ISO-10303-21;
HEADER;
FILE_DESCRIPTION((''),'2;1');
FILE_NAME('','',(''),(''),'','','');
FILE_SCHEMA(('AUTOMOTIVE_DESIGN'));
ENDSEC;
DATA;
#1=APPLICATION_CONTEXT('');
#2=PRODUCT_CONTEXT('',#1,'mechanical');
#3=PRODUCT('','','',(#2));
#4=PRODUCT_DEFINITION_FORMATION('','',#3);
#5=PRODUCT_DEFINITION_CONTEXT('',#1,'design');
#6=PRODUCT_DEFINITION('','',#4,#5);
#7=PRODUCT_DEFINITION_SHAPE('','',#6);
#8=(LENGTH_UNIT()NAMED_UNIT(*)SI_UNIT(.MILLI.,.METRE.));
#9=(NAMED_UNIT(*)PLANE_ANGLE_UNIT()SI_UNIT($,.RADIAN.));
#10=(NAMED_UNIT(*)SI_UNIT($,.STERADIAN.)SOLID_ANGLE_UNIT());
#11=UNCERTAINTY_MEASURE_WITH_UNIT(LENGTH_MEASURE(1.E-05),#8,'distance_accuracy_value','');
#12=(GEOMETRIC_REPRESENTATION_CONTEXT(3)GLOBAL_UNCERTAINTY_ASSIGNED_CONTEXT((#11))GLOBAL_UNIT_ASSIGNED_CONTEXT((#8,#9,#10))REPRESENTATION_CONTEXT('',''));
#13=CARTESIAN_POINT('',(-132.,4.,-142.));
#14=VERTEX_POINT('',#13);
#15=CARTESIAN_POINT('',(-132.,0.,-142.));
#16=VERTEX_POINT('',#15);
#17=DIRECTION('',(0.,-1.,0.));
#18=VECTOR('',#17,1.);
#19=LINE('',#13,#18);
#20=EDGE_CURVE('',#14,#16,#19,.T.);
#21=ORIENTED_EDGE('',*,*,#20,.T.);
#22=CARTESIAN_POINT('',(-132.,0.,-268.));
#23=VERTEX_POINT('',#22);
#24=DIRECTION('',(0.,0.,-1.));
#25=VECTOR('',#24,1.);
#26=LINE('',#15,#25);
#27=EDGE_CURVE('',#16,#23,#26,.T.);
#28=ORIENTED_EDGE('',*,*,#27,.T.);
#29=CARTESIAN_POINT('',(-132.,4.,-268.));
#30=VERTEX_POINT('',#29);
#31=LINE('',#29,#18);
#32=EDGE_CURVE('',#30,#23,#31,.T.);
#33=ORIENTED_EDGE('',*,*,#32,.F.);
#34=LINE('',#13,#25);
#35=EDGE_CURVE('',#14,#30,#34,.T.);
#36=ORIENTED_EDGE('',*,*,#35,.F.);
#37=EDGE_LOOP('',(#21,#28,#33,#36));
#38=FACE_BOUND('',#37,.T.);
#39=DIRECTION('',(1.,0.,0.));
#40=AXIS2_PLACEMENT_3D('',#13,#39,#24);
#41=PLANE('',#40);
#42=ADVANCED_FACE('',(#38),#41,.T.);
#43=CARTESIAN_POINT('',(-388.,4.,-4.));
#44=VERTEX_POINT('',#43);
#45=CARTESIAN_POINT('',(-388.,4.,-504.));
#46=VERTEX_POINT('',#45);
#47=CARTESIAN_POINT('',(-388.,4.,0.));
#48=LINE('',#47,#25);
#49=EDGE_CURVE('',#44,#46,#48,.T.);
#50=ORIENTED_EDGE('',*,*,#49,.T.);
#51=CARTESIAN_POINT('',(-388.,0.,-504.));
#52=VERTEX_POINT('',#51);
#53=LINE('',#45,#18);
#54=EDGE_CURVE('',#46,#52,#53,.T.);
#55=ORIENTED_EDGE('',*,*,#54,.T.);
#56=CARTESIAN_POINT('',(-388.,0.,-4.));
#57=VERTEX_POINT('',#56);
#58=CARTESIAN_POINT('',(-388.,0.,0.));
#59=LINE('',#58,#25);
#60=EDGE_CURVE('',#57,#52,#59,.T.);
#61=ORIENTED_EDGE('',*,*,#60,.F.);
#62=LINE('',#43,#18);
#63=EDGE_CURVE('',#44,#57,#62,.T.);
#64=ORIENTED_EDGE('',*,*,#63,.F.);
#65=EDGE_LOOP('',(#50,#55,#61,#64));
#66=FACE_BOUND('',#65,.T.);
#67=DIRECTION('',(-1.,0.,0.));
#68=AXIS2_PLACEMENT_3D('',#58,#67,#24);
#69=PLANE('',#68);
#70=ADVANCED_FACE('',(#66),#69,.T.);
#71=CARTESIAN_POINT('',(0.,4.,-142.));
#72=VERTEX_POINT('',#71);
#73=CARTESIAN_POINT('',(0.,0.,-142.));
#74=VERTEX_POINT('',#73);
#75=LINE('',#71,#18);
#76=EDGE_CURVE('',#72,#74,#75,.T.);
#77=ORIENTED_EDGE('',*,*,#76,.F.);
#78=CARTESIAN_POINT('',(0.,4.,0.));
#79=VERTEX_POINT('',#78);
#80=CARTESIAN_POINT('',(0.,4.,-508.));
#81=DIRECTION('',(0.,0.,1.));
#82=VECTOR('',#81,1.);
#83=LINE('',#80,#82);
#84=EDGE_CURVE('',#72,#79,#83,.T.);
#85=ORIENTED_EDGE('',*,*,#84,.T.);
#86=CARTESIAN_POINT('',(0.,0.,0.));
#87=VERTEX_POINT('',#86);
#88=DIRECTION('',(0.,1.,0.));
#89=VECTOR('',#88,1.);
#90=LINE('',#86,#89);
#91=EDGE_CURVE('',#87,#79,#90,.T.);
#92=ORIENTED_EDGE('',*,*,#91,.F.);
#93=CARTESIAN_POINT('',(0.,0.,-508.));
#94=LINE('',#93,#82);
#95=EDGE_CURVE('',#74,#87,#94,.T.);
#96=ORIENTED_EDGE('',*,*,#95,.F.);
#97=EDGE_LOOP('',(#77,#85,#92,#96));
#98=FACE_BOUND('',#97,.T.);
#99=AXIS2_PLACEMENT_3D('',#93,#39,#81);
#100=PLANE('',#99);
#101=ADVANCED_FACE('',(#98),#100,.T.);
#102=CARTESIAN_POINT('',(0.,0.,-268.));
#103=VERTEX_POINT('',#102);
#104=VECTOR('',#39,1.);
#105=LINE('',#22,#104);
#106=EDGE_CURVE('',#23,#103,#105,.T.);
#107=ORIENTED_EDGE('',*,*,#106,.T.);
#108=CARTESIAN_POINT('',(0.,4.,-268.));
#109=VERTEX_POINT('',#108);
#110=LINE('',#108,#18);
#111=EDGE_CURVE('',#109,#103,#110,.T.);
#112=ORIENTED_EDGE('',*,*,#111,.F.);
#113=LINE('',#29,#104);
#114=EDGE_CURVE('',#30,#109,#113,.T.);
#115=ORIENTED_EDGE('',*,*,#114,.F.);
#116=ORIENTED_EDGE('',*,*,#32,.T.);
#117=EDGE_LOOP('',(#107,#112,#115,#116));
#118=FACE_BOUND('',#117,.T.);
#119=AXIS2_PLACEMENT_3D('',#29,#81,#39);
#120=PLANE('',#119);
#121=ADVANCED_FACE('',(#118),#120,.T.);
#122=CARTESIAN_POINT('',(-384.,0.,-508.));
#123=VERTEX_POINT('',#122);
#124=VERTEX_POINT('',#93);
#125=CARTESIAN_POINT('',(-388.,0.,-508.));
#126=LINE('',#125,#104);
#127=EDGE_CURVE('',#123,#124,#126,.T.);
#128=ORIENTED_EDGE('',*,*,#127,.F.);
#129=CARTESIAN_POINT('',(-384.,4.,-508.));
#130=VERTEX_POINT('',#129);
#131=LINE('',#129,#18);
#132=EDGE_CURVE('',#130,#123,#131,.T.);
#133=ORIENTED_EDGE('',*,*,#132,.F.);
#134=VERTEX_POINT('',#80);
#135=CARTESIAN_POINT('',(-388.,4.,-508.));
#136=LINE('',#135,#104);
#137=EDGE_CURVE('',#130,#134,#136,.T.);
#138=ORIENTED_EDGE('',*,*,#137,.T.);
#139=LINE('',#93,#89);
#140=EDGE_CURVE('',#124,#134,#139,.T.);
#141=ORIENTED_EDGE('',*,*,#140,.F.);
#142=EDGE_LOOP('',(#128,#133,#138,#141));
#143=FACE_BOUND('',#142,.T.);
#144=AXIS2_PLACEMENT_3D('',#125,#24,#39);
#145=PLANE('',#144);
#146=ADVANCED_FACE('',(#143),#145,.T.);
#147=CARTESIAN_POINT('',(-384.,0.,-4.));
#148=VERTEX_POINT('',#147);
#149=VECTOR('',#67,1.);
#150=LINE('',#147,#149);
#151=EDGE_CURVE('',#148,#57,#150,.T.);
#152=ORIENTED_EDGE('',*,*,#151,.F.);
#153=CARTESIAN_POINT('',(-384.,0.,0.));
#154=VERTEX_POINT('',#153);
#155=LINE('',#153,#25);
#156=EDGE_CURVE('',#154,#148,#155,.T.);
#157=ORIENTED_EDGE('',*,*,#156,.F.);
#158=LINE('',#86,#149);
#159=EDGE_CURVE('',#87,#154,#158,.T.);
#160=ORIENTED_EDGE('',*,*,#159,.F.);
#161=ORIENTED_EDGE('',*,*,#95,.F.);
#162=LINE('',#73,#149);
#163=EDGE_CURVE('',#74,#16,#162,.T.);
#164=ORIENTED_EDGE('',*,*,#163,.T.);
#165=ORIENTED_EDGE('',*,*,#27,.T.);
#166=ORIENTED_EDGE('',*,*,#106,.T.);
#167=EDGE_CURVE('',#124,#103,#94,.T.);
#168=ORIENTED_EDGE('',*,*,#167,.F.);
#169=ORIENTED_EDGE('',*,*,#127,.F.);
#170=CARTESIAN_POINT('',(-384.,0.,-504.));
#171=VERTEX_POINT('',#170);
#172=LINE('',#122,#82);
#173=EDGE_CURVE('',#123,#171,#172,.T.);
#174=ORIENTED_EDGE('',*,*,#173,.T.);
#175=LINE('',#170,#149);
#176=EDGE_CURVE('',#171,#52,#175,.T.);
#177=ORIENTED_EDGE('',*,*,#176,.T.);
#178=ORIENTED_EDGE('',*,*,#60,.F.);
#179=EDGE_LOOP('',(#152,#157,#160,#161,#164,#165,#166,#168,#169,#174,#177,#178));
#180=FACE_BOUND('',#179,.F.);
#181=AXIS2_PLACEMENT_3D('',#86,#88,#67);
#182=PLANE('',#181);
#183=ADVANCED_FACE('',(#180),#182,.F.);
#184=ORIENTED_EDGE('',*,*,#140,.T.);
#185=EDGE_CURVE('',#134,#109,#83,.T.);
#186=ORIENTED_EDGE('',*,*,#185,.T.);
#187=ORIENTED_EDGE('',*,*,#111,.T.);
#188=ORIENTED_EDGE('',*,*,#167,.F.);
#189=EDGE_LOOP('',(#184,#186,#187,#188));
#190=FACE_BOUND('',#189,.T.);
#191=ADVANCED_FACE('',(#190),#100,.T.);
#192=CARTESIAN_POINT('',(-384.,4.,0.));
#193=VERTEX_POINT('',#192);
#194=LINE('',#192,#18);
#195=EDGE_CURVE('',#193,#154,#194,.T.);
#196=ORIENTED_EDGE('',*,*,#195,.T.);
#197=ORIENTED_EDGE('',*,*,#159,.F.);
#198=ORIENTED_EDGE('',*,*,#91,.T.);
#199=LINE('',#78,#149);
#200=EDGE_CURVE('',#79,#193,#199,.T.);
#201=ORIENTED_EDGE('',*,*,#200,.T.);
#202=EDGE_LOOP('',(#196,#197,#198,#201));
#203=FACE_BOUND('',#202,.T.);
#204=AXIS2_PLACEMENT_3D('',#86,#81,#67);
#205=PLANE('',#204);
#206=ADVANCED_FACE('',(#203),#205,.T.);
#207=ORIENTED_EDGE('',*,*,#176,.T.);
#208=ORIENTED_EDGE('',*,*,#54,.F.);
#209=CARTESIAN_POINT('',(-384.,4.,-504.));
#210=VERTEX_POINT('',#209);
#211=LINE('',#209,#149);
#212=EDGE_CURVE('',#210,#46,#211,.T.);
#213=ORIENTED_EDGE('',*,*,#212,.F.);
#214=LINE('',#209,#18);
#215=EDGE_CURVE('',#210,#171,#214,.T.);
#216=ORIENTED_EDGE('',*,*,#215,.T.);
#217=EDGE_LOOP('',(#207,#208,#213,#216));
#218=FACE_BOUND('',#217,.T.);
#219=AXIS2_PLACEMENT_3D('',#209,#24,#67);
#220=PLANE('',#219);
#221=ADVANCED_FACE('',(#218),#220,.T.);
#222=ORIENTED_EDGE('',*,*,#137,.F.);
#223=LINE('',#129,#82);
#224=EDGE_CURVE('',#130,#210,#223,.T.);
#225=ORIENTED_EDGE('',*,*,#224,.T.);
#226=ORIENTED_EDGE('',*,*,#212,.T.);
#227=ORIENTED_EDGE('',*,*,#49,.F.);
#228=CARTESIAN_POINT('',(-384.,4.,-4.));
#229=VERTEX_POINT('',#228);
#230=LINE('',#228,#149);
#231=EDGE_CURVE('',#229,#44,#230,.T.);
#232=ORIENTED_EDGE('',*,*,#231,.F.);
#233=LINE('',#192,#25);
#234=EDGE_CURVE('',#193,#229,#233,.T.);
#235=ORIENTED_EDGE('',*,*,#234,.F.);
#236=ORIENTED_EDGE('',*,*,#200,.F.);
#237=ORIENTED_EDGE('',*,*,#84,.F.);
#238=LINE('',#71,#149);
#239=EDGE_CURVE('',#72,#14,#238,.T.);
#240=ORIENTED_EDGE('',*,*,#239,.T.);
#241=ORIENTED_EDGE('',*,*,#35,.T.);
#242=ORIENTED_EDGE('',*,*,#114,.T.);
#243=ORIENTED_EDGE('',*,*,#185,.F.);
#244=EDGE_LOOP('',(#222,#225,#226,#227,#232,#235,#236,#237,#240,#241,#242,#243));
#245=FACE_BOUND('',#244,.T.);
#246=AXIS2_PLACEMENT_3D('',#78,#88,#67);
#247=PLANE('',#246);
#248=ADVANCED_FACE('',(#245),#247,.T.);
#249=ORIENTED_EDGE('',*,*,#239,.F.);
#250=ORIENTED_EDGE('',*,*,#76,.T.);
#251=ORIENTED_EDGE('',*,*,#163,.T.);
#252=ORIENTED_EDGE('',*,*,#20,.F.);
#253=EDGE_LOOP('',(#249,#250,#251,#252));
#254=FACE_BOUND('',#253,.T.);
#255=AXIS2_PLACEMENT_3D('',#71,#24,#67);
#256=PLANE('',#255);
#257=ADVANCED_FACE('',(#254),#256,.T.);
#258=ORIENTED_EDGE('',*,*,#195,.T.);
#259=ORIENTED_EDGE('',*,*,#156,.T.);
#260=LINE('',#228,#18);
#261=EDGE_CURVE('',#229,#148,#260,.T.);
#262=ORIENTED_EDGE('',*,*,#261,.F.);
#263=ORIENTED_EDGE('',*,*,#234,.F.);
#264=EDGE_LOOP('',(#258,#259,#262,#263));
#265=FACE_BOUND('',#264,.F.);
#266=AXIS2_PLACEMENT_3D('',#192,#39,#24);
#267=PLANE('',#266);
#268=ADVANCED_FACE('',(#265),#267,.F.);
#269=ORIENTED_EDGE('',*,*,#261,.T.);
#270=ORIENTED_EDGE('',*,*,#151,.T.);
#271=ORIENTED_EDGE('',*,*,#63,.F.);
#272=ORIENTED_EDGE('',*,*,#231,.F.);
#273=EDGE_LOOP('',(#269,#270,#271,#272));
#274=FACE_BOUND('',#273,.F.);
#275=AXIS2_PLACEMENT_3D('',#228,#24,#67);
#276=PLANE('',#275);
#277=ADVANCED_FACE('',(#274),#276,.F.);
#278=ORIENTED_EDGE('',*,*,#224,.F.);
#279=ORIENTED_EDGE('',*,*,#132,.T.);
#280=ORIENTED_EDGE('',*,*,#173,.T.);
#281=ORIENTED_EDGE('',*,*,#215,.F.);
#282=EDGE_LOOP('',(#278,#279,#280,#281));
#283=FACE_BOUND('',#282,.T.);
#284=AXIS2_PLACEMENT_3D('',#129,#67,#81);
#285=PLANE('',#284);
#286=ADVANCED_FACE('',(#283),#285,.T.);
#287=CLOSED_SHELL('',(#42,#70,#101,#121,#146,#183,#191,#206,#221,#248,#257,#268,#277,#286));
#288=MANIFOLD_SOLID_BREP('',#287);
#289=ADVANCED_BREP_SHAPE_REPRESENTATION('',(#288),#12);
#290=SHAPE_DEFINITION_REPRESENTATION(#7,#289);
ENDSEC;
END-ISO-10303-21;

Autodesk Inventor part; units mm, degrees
ref_plane "YZ Plane" through (0, 0, 0) normal (1, 0, 0) x (0, 1, 0)
ref_plane "XZ Plane" through (0, 0, 0) normal (0, 1, 0) x (-1, 0, 0)
ref_plane "XY Plane" through (0, 0, 0) normal (0, 0, 1) x (1, 0, 0)
sketch "Эскиз1" plane through (0, 0, 0) normal (0, 1, 0) x (-1, 0, 0)
  line L0 (0, 0) -> (388, 0)
  line L1 (388, 0) -> (388, -508)
  line L2 (388, -508) -> (0, -508)
  line L3 (0, -508) -> (0, 0)
  dimension "d0" = 388
  dimension "d1" = 508
extrude "Выдавливание1" add sketch "Эскиз1" along normal blind 4
sketch "Эскиз2" plane through (0, 4, 0) normal (0, 1, 0) x (1, 0, 0)
  line L0 (0, 0) -> (0, 508) projected
  line L1 (0, 142) -> (-132, 142)
  line L2 (-132, 142) -> (-132, 268)
  line L3 (-132, 268) -> (0, 268)
  line L4 (0, 268) -> (0, 142)
  line L5 (-388, 0) -> (0, 0) projected
  point P0 (0, 268)
  dimension "d4" = 132
  dimension "d5" = 126
  dimension "d6" = 142
extrude "Выдавливание2" cut sketch "Эскиз2" against normal blind 4
sketch "Эскиз3" plane through (0, 4, 0) normal (0, 1, 0) x (1, 0, 0)
  line L0 (-388, 0) -> (0, 0) projected
  line L1 (-388, 0) -> (-384, 0)
  line L2 (-384, 0) -> (-384, 4)
  line L3 (-384, 4) -> (-388, 4)
  line L4 (-388, 4) -> (-388, 0)
  line L5 (-388, 508) -> (-388, 0) projected
  line L6 (-388, 508) -> (-384, 508)
  line L7 (-384, 508) -> (-384, 504)
  line L8 (-384, 504) -> (-388, 504)
  line L9 (-388, 504) -> (-388, 508)
  dimension "d9" = 4
  dimension "d10" = 4
  dimension "d11" = 4
  dimension "d12" = 4
extrude "Выдавливание3" cut sketch "Эскиз3" against normal blind 4
properties part number "MountingWallSide"
